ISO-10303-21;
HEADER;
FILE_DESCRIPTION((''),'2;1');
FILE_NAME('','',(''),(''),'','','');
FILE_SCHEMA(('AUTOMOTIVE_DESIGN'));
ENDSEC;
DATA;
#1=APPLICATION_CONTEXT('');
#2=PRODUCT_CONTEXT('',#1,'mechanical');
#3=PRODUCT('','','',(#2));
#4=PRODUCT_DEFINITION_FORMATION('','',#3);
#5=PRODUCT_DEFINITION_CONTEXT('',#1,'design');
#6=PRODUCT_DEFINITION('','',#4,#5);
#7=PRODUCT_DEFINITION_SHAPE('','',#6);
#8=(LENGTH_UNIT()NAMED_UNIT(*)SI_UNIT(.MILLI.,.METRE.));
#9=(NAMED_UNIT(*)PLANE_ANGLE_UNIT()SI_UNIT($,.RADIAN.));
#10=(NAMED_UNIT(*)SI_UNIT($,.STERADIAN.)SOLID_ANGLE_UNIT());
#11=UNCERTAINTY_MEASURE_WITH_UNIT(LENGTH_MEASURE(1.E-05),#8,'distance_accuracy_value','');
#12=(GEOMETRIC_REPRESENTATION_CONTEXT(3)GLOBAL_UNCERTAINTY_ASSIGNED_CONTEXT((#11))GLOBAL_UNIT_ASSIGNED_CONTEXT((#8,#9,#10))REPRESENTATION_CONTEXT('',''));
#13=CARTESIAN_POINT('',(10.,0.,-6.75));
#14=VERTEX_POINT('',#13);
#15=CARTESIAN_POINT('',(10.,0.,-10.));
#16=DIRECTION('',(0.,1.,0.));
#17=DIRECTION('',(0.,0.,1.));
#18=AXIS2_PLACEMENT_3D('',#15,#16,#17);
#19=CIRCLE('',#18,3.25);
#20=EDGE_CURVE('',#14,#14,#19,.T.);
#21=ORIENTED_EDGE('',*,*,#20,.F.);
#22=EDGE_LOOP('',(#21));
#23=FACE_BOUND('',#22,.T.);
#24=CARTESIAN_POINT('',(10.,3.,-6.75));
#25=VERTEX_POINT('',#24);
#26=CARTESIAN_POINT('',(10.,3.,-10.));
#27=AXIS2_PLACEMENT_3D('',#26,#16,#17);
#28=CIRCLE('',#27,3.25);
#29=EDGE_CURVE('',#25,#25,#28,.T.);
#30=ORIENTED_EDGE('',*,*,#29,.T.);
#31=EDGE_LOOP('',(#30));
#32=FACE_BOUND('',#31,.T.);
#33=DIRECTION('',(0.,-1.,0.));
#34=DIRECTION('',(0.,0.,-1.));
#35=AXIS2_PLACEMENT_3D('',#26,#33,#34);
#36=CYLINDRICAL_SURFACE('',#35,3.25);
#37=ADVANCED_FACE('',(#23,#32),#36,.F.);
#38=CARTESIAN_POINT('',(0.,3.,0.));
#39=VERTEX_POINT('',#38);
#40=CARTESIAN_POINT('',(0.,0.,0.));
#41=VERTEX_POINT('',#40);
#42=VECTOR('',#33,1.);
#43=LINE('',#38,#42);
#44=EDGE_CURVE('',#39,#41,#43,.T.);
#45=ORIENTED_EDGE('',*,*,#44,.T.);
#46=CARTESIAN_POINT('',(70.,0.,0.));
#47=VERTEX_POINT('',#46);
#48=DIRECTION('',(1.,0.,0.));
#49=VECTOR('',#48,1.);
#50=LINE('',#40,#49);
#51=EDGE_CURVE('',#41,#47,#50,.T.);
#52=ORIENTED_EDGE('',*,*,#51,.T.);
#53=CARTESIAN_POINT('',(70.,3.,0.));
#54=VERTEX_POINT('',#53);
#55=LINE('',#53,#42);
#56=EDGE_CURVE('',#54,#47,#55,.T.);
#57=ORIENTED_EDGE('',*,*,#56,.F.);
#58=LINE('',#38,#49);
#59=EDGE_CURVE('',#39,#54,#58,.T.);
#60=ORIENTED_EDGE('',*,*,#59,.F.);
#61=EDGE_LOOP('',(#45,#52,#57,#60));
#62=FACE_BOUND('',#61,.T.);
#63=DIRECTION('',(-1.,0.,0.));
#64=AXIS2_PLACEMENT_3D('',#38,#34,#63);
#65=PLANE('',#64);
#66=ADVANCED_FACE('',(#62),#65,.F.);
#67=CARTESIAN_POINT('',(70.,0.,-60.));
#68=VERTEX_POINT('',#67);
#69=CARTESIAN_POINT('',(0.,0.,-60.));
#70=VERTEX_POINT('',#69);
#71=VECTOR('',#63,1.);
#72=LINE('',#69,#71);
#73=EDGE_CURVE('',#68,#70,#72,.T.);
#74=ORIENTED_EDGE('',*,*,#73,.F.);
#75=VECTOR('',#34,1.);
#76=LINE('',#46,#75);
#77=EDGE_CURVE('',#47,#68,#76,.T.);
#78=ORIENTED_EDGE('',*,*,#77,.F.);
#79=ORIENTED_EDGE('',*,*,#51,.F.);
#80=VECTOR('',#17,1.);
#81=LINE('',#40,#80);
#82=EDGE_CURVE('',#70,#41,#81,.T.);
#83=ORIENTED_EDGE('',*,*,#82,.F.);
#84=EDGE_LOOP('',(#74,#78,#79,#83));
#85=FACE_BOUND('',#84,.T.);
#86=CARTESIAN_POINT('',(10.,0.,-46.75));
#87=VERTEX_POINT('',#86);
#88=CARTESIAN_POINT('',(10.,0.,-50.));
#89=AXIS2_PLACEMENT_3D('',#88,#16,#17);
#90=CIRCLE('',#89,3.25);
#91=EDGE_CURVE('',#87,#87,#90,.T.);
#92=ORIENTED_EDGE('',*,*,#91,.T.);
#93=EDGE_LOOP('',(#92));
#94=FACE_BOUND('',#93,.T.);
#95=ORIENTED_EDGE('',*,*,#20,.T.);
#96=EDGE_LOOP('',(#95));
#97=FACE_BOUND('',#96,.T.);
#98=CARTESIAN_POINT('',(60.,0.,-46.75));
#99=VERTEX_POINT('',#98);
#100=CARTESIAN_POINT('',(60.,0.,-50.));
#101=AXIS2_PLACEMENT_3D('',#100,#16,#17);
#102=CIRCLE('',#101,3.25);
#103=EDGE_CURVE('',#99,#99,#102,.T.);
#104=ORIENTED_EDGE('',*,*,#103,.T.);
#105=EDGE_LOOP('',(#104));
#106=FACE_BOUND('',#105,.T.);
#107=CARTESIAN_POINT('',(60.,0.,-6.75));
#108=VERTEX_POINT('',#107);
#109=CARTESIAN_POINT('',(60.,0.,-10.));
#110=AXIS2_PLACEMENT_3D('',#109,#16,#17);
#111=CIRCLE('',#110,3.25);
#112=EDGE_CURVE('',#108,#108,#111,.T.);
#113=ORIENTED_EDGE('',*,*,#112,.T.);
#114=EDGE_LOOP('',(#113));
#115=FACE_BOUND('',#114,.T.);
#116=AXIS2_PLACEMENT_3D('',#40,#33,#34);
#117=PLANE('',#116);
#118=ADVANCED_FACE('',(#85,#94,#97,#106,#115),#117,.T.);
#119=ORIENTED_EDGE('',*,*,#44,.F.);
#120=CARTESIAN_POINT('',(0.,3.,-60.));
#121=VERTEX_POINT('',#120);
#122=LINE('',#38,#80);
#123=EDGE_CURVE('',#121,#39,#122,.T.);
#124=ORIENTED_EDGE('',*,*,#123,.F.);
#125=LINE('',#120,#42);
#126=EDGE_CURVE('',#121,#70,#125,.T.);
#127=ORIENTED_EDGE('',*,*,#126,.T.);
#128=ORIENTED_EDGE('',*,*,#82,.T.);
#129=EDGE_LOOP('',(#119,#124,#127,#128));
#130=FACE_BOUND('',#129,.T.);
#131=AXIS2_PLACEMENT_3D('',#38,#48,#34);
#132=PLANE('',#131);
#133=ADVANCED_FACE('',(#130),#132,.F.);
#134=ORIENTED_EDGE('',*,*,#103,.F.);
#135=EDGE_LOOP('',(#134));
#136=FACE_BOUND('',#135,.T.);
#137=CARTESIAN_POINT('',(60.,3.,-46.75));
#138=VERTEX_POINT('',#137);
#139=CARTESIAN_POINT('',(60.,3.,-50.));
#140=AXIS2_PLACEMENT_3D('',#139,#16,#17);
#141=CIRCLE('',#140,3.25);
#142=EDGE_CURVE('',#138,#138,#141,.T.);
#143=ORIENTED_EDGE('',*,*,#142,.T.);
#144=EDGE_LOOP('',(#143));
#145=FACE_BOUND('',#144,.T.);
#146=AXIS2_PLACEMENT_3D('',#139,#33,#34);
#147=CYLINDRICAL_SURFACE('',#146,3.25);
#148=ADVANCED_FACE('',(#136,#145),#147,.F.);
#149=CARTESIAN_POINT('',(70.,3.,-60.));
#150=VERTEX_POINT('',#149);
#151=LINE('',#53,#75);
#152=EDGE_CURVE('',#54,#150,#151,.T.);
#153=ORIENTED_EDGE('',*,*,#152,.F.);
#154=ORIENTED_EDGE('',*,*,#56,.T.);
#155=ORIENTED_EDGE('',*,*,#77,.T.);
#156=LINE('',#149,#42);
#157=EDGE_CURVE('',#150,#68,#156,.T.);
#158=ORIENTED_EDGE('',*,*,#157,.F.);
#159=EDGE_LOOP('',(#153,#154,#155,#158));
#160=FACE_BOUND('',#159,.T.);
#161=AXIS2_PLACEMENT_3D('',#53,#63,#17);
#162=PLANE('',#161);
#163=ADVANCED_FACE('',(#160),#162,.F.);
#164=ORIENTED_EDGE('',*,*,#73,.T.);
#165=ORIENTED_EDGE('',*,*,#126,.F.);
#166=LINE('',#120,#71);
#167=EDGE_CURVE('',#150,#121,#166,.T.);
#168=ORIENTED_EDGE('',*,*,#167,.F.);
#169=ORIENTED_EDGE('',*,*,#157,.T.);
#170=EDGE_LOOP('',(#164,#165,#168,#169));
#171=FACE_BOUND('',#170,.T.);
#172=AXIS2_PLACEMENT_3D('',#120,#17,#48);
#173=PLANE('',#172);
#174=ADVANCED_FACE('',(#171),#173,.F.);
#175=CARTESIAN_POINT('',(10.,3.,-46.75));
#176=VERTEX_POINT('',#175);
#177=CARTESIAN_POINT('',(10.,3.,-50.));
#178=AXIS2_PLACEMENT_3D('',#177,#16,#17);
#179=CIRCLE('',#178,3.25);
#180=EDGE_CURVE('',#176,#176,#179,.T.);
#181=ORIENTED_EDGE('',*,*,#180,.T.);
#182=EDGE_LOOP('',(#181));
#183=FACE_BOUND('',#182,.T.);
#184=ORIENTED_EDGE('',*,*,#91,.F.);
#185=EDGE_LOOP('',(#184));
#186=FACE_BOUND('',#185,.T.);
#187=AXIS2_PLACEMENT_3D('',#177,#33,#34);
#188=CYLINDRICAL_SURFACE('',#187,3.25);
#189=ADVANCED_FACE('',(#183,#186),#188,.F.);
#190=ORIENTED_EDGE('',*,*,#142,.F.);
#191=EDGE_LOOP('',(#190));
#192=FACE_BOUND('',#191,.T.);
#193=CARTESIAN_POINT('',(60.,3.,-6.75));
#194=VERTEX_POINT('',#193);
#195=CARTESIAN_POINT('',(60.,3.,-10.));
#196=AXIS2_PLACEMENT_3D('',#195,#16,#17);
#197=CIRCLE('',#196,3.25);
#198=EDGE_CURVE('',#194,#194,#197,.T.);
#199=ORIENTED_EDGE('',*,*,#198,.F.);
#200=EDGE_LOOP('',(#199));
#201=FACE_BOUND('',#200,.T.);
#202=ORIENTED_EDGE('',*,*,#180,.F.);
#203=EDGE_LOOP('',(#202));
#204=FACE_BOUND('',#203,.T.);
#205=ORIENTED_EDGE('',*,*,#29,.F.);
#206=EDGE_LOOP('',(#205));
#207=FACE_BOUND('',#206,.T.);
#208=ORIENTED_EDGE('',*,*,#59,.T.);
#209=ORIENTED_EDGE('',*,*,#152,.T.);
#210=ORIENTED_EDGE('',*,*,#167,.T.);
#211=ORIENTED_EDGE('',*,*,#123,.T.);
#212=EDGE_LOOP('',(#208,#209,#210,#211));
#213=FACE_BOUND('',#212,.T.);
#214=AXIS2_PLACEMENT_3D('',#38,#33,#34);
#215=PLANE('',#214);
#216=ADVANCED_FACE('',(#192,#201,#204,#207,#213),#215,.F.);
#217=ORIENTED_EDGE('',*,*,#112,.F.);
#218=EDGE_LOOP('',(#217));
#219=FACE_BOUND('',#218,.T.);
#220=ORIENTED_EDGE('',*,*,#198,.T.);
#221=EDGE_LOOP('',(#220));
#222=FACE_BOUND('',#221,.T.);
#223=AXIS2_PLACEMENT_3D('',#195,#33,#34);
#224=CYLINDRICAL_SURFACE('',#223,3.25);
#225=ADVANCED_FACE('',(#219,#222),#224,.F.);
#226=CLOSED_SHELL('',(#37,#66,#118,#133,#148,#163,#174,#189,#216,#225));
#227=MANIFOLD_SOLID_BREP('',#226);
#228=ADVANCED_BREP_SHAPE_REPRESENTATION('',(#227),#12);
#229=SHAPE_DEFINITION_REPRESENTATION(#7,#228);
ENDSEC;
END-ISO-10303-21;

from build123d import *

# Parameters (mm, degrees)
SZKIC1_W                    = 70
SZKIC1_H                    = 60
SZKIC1_R                    = 3.25
DODANIE_WYCI_GNI_CIE1_DEPTH = 3


with BuildPart() as part:
    # Szkic1 → Dodanie-wyciągnięcie1 (new body)
    with BuildSketch(Plane(origin=(0, 0, 0), x_dir=(1, 0, 0), z_dir=(0, 1, 0))):
        with Locations((35, 30)):
            Rectangle(SZKIC1_W, SZKIC1_H)
        with Locations(Location((10, 10, 0), (0, 0, 270))):
            Circle(SZKIC1_R, mode=Mode.SUBTRACT)
        with Locations(Location((60, 10, 0), (0, 0, 270))):
            Circle(SZKIC1_R, mode=Mode.SUBTRACT)
        with Locations(Location((60, 50, 0), (0, 0, 270))):
            Circle(SZKIC1_R, mode=Mode.SUBTRACT)
        with Locations(Location((10, 50, 0), (0, 0, 270))):
            Circle(SZKIC1_R, mode=Mode.SUBTRACT)
    extrude(amount=DODANIE_WYCI_GNI_CIE1_DEPTH)


solid = part.part
